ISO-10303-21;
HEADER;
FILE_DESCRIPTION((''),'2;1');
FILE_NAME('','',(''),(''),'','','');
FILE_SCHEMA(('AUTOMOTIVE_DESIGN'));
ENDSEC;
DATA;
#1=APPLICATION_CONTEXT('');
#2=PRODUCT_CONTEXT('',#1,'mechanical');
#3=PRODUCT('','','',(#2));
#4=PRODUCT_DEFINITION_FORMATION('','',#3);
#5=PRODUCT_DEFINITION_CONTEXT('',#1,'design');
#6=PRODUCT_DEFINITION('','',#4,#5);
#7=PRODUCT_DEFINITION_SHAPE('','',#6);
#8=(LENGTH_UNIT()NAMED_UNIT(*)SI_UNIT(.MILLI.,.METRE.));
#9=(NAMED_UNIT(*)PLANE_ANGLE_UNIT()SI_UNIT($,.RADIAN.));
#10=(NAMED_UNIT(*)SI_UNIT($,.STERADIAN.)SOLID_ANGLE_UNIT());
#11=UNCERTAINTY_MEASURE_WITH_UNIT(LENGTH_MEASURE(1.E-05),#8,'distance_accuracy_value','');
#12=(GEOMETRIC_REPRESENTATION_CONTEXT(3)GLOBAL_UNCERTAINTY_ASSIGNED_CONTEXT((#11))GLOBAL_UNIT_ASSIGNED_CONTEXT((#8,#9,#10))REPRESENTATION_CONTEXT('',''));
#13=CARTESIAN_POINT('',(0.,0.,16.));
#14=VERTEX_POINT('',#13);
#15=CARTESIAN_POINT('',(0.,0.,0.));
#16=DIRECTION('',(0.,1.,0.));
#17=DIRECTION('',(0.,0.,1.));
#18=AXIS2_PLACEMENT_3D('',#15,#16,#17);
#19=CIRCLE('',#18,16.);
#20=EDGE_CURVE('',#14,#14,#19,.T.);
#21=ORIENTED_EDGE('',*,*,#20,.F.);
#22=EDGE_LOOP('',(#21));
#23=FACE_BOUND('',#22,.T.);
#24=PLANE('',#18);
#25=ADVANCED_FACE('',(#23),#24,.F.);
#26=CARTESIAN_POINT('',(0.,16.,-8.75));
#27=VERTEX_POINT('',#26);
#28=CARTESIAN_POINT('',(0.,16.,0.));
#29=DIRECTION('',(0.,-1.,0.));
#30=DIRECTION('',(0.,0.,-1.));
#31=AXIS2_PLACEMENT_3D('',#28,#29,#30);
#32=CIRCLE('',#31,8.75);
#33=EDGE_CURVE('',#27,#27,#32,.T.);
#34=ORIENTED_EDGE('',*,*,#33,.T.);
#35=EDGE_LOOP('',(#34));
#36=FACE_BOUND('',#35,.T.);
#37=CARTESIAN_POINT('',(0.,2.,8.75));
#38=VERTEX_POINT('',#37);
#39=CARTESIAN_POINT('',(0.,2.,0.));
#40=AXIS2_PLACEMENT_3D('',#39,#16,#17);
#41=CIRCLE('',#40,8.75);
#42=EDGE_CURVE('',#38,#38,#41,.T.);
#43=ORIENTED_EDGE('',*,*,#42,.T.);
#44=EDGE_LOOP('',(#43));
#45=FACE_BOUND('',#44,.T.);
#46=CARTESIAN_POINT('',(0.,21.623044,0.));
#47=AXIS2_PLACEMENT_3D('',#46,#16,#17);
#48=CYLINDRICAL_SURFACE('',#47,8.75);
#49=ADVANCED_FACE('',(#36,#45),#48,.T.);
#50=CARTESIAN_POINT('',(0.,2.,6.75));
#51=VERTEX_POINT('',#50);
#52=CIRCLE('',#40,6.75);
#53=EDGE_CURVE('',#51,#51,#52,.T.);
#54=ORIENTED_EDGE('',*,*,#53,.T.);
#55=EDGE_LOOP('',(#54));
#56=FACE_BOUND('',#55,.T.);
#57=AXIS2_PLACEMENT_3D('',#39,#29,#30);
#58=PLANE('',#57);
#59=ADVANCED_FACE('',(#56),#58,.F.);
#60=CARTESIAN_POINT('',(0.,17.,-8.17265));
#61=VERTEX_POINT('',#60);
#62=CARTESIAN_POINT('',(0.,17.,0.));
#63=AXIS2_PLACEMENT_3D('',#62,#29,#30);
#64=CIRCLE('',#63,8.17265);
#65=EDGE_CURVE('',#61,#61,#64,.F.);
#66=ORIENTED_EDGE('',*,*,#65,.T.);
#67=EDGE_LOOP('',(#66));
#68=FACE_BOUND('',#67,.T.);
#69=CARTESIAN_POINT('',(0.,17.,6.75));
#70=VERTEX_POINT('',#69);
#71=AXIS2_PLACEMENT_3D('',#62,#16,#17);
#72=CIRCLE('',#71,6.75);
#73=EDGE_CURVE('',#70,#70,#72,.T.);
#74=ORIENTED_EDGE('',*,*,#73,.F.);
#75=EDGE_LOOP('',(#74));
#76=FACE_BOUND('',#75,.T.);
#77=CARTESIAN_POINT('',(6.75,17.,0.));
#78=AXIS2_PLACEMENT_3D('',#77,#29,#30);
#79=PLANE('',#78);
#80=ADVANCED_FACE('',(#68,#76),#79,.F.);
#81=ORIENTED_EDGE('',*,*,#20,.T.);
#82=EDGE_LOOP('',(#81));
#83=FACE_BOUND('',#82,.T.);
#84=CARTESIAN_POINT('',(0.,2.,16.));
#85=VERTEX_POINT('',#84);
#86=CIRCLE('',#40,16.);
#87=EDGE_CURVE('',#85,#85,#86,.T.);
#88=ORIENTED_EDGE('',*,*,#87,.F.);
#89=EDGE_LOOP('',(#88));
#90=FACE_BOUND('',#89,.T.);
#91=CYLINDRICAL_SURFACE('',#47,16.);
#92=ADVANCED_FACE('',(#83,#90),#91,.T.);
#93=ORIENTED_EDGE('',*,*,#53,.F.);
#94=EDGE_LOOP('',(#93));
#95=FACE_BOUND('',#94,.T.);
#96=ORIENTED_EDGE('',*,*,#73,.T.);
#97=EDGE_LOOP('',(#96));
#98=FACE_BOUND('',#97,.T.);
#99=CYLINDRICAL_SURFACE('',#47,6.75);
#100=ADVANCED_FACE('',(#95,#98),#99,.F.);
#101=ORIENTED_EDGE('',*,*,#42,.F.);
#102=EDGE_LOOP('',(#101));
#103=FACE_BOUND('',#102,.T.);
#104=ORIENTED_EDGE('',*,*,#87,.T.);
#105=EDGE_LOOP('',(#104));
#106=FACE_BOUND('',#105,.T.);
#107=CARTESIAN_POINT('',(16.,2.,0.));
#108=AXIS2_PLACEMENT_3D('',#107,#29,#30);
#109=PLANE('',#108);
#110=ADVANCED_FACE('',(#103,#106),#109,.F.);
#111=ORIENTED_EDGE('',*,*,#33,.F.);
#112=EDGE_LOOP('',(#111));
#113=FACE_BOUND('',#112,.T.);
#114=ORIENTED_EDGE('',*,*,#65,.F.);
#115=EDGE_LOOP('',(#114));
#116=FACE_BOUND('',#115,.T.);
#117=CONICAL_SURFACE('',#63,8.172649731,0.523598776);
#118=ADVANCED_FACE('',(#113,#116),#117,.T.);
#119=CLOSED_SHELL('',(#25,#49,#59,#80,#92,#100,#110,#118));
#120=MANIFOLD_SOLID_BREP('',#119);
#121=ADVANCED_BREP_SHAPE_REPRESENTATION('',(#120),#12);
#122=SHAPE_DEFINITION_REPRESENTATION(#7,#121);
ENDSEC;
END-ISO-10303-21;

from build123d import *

# Parameters (mm, degrees)
CHAMFER1_SIZE  = 1
CHAMFER1_SIZE2 = 0.577350269


with BuildPart() as part:
    # Sketch1 → Revolve1 (revolve)
    with BuildSketch(Plane.XY, mode=Mode.PRIVATE) as revolve1_sk:
        Polygon((16, 2), (9, 2), (8.75, 2), (8.75, 17), (6.75, 17), (6.75, 2), (0, 2), (0, 0), (16, 0), align=None)
    revolve(revolve1_sk.sketch.rotate(Axis((0, 21.623043933, 0), (0, -1, 0)), 90), axis=Axis((0, 21.623043933, 0), (0, -1, 0)))

    # Chamfer1
    chamfer1_edges = [part.edges().sort_by_distance(p)[0] for p in [
        (0, 17, -8.75),
    ]]
    chamfer1_side = [part.faces().sort_by_distance(p)[0] for p in [
        (0, 9.5, -8.75),
    ]]
    chamfer(chamfer1_edges, length=CHAMFER1_SIZE, length2=CHAMFER1_SIZE2, reference=chamfer1_side[0])


solid = part.part
